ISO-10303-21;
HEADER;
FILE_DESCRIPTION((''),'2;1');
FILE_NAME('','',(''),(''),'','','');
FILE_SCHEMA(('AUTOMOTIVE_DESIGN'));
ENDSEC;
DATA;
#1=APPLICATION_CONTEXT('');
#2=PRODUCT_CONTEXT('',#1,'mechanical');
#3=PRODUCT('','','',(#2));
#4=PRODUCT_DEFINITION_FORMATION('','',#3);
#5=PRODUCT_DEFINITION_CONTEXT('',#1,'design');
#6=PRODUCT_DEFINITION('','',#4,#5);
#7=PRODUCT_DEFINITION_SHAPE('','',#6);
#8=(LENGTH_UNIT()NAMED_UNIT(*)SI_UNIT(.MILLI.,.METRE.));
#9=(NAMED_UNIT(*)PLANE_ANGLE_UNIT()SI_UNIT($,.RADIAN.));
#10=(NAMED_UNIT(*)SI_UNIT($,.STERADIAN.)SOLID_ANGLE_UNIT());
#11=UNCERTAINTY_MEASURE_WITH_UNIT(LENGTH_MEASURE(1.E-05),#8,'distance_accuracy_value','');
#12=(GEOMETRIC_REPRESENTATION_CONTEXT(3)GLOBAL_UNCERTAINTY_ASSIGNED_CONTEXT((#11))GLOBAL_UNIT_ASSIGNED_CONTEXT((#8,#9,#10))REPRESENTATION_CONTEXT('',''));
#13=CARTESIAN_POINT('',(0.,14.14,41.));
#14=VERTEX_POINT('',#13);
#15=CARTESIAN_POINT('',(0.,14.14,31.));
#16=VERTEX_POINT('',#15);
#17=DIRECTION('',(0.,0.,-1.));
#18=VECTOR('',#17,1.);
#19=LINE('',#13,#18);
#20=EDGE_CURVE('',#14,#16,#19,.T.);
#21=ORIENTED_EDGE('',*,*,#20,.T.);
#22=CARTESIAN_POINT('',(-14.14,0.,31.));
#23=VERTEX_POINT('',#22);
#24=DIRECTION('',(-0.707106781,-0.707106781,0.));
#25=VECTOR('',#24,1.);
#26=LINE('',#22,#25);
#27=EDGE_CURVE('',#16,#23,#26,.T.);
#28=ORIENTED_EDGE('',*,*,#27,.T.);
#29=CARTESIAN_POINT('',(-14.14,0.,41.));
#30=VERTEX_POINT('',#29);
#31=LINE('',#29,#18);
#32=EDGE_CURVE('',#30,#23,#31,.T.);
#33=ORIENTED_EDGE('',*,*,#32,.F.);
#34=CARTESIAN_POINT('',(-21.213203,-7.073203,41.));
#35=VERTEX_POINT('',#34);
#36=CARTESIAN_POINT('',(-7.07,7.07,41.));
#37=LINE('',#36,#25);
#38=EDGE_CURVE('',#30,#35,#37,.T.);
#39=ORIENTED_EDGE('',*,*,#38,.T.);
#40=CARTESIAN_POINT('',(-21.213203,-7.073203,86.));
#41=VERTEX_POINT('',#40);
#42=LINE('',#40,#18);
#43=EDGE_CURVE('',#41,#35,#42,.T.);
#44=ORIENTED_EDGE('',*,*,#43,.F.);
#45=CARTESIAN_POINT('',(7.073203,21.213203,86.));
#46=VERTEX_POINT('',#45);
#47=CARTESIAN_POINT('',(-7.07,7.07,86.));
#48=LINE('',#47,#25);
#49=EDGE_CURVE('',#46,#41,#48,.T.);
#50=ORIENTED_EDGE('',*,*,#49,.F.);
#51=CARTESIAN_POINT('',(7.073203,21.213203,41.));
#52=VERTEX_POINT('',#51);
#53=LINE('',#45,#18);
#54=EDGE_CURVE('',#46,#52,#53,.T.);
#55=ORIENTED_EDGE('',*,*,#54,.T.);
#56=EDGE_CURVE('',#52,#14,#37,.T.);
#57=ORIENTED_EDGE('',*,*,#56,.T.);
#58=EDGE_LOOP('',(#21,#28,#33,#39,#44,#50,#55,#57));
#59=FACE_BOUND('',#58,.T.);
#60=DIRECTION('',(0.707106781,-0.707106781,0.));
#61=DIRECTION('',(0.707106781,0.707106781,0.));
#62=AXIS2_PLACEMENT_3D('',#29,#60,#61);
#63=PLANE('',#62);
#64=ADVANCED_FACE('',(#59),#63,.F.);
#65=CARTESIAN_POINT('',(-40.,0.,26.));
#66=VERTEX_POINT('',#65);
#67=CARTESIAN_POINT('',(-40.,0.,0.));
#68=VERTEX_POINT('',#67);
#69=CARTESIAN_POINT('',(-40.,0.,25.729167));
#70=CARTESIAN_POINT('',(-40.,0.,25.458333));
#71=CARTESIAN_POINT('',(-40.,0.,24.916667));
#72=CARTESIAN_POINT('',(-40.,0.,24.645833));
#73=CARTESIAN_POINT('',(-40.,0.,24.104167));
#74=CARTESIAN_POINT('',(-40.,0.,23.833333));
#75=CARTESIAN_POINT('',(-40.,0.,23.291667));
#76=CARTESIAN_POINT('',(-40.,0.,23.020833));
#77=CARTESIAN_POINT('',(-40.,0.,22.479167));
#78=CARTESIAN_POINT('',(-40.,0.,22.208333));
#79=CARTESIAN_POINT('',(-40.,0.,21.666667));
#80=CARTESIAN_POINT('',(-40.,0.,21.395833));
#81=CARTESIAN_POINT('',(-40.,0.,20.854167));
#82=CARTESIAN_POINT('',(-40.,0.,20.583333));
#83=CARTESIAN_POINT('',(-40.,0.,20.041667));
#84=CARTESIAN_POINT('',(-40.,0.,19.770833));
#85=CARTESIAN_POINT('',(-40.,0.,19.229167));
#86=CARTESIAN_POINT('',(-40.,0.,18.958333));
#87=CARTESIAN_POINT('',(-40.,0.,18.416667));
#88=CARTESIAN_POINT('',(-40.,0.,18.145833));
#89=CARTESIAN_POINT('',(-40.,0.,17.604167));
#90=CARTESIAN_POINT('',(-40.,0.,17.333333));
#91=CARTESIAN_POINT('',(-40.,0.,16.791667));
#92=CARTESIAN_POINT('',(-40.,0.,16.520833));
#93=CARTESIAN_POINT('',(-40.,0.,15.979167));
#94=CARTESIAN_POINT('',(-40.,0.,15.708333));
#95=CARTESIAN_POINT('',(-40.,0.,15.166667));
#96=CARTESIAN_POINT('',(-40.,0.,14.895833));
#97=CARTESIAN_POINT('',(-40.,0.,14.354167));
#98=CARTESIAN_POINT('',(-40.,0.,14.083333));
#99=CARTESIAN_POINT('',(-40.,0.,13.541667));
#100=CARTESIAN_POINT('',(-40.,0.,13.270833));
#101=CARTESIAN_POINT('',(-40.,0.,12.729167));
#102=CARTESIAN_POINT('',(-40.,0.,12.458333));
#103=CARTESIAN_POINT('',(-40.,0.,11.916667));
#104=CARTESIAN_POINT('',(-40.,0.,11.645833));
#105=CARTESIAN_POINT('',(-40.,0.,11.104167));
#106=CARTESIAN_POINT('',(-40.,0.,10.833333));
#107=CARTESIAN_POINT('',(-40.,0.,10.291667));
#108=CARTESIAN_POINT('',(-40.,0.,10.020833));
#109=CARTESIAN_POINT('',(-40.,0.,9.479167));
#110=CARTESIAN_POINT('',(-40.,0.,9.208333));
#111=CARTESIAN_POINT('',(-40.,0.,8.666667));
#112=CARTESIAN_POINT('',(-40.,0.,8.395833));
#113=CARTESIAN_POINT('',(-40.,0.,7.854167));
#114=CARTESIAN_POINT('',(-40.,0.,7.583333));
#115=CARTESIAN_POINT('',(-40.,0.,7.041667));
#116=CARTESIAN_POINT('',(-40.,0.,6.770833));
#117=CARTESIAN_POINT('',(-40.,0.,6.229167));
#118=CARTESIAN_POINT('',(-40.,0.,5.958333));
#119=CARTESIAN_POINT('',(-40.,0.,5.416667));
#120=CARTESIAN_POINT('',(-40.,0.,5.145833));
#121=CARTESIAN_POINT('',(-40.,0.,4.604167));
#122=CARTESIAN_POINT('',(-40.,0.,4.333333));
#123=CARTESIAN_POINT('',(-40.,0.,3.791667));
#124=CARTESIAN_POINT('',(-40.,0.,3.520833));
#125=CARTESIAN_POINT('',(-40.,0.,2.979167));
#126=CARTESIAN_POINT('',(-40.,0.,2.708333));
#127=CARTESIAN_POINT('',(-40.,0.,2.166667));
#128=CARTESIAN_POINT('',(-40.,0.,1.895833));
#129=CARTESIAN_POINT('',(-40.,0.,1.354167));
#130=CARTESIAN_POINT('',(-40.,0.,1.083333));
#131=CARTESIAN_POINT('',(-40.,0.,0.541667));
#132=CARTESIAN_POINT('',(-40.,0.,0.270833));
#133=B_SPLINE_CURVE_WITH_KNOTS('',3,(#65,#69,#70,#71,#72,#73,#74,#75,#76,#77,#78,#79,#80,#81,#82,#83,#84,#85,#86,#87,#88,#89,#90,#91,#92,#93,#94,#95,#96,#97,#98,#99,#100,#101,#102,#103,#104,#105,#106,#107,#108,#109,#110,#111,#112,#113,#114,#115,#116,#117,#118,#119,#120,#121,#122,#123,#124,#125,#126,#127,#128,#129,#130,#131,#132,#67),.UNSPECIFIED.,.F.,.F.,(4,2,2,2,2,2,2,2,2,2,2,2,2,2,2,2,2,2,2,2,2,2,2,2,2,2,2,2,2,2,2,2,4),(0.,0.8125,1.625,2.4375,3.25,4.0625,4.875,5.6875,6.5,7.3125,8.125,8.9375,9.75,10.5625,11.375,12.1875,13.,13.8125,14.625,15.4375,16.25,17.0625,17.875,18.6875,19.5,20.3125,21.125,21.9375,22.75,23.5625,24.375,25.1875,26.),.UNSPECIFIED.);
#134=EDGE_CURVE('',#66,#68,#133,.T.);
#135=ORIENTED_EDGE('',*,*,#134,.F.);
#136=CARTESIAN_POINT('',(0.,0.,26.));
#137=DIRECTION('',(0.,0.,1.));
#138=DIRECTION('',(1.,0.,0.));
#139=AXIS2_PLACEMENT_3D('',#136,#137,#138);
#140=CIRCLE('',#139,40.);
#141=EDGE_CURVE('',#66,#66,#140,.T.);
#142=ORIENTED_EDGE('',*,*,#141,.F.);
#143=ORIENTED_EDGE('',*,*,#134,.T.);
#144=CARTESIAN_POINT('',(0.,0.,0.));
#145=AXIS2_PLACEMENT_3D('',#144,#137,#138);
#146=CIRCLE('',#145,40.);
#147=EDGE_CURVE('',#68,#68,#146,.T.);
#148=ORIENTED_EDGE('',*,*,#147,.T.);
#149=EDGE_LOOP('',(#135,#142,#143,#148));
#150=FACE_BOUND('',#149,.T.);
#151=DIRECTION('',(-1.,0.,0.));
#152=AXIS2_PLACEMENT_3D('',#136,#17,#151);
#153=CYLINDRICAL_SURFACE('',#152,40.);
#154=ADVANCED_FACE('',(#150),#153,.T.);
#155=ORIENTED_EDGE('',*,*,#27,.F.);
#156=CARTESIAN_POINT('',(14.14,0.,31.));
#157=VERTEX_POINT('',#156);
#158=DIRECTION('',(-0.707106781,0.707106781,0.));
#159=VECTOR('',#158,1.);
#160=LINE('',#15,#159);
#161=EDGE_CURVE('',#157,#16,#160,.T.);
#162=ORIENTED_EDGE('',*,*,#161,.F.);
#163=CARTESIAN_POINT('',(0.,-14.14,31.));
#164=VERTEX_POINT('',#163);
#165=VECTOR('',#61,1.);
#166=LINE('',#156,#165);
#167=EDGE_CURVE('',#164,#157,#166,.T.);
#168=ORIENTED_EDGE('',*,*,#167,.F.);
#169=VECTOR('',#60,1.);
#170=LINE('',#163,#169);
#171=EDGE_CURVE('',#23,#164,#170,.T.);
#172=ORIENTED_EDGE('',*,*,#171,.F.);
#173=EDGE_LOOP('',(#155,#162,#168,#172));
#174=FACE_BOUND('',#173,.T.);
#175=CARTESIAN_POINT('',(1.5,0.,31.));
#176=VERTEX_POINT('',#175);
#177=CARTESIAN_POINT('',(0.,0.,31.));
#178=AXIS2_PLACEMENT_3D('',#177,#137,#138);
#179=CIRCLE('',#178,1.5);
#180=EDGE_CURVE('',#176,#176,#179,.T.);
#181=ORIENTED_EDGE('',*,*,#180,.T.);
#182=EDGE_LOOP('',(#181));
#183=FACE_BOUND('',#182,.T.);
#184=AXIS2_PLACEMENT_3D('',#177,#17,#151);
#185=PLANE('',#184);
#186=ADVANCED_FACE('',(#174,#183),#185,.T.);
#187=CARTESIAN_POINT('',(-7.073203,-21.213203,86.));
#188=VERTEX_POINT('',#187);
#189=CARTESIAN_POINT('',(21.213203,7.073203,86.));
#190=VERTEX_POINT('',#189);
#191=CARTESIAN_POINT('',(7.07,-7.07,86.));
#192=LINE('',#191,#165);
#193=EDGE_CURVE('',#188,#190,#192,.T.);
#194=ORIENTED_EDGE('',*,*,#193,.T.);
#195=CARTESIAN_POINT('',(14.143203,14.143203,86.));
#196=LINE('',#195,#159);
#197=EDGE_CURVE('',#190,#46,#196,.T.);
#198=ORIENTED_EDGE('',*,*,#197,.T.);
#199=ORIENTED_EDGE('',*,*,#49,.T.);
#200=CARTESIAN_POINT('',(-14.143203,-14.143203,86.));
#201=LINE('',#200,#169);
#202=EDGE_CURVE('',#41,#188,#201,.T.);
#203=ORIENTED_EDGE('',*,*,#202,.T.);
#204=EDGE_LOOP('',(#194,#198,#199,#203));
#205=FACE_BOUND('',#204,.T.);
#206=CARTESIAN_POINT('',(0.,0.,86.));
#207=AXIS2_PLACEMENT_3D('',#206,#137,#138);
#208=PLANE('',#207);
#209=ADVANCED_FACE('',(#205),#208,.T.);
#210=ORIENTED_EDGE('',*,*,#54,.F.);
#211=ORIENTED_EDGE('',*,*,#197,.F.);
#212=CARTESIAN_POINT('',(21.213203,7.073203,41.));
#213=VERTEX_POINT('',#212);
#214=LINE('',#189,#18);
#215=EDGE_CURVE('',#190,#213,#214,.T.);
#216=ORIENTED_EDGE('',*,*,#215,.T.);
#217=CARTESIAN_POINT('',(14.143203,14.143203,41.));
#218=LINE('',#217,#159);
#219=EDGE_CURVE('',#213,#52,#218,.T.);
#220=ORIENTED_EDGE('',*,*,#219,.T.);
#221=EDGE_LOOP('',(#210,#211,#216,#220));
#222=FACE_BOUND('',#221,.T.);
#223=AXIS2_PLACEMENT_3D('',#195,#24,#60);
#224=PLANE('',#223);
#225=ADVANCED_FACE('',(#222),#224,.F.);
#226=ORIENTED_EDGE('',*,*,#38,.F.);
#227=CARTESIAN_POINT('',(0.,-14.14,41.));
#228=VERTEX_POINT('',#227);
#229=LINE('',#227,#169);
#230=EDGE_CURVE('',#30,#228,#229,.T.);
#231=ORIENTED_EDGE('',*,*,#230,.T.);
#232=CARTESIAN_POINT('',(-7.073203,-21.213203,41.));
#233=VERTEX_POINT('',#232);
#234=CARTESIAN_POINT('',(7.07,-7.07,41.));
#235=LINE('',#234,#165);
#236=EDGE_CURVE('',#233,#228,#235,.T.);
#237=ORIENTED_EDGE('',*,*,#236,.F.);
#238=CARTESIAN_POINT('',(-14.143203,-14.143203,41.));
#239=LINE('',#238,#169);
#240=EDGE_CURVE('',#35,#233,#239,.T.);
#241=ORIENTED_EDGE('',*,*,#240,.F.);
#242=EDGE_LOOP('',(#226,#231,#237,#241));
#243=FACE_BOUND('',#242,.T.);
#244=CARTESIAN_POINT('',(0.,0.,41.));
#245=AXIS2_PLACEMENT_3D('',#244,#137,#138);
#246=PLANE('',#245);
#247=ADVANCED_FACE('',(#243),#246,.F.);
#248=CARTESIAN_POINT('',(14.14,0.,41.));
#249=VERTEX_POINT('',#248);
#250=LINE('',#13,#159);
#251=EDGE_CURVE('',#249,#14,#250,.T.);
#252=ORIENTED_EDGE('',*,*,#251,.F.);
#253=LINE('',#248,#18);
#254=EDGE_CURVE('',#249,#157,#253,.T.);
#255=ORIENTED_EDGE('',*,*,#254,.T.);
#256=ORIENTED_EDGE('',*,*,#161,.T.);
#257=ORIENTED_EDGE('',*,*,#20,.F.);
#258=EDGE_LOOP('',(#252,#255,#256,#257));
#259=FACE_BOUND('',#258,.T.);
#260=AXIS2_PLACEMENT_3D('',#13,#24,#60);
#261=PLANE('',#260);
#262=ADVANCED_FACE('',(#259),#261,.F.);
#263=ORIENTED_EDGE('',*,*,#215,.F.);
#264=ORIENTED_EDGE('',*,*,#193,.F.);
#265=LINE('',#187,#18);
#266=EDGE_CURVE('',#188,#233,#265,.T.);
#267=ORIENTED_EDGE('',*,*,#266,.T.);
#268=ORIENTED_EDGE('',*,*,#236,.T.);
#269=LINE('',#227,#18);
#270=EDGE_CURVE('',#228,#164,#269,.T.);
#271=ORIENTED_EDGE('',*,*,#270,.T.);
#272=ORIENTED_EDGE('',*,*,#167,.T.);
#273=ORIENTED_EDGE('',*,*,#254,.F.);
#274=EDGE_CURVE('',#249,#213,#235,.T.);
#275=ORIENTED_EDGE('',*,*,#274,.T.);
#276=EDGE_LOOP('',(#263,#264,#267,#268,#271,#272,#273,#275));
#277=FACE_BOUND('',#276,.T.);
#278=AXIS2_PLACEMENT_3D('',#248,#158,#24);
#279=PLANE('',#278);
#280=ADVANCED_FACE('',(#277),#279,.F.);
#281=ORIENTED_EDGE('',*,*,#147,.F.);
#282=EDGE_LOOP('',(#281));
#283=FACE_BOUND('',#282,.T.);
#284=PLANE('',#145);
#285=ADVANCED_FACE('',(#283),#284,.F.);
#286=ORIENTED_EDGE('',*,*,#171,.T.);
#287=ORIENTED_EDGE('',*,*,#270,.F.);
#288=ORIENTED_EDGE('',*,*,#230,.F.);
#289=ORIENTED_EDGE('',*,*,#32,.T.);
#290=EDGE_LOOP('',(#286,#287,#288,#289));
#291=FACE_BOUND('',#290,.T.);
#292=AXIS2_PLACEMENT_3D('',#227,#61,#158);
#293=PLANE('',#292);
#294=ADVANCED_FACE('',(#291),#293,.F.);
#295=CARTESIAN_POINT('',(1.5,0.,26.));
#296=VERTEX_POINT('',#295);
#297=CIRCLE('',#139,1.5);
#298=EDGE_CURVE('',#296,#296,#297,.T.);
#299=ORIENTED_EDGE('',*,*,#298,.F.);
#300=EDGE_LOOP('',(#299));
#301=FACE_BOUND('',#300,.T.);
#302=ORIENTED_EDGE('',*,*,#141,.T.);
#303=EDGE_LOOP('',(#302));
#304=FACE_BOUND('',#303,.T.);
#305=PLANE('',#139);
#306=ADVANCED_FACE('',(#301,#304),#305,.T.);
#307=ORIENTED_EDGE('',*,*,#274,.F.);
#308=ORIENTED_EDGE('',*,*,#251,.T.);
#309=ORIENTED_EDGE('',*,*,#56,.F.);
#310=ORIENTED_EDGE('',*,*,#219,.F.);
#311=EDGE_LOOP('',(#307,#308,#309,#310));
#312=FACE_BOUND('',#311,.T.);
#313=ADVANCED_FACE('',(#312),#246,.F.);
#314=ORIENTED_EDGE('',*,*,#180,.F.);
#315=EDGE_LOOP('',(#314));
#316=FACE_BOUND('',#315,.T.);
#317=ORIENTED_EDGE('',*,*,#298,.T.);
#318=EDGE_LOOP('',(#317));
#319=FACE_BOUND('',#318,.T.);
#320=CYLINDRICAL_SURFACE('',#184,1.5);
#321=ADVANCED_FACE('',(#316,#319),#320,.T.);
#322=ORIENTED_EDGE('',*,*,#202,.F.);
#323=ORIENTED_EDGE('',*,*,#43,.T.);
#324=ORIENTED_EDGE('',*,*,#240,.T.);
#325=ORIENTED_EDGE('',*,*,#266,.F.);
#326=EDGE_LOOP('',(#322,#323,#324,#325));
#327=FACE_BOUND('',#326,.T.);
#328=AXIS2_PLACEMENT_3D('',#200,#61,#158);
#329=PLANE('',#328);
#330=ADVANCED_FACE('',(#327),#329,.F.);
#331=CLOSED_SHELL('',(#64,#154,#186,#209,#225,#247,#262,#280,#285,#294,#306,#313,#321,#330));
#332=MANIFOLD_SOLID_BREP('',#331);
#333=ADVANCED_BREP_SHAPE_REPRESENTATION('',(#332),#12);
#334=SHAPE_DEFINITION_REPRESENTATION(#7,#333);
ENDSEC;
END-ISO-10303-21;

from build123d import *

# Parameters (mm, degrees)
SKETCH_1_R      = 40
EXTRUDE_1_DEPTH = 26
SKETCH_2_R      = 1.5
EXTRUDE_2_DEPTH = 5
EXTRUDE_3_DEPTH = 10
EXTRUDE_4_DEPTH = 45


with BuildPart() as part:
    # 草图1 → 凸台-拉伸1 (new body)
    with BuildSketch(Plane.XY):
        with Locations(Location((0, 0, 0), (0, 0, 180))):
            Circle(SKETCH_1_R)
    extrude(amount=EXTRUDE_1_DEPTH)

    # 草图2 → 凸台-拉伸2 (add)
    with BuildSketch(Plane.XY.offset(26)):
        Circle(SKETCH_2_R)
    extrude(amount=EXTRUDE_2_DEPTH)

    # 草图3 → 凸台-拉伸3 (add)
    with BuildSketch(Plane.XY.offset(31)):
        Polygon((0, 14.14), (14.14, 0), (0, -14.14), (-14.14, 0), align=None)
    extrude(amount=EXTRUDE_3_DEPTH)

    # 草图5 → 凸台-拉伸4 (add)
    with BuildSketch(Plane.XY.offset(41)):
        Polygon((0, -14.14), (-14.14, 0), (-21.213203436, -7.073203436), (-7.073203436, -21.213203436), align=None)
        Polygon((7.073203436, 21.213203436), (0, 14.14), (14.14, 0), (21.213203436, 7.073203436), align=None)
        Polygon((14.14, 0), (0, 14.14), (-14.14, 0), (0, -14.14), align=None)
    extrude(amount=EXTRUDE_4_DEPTH)


solid = part.part
